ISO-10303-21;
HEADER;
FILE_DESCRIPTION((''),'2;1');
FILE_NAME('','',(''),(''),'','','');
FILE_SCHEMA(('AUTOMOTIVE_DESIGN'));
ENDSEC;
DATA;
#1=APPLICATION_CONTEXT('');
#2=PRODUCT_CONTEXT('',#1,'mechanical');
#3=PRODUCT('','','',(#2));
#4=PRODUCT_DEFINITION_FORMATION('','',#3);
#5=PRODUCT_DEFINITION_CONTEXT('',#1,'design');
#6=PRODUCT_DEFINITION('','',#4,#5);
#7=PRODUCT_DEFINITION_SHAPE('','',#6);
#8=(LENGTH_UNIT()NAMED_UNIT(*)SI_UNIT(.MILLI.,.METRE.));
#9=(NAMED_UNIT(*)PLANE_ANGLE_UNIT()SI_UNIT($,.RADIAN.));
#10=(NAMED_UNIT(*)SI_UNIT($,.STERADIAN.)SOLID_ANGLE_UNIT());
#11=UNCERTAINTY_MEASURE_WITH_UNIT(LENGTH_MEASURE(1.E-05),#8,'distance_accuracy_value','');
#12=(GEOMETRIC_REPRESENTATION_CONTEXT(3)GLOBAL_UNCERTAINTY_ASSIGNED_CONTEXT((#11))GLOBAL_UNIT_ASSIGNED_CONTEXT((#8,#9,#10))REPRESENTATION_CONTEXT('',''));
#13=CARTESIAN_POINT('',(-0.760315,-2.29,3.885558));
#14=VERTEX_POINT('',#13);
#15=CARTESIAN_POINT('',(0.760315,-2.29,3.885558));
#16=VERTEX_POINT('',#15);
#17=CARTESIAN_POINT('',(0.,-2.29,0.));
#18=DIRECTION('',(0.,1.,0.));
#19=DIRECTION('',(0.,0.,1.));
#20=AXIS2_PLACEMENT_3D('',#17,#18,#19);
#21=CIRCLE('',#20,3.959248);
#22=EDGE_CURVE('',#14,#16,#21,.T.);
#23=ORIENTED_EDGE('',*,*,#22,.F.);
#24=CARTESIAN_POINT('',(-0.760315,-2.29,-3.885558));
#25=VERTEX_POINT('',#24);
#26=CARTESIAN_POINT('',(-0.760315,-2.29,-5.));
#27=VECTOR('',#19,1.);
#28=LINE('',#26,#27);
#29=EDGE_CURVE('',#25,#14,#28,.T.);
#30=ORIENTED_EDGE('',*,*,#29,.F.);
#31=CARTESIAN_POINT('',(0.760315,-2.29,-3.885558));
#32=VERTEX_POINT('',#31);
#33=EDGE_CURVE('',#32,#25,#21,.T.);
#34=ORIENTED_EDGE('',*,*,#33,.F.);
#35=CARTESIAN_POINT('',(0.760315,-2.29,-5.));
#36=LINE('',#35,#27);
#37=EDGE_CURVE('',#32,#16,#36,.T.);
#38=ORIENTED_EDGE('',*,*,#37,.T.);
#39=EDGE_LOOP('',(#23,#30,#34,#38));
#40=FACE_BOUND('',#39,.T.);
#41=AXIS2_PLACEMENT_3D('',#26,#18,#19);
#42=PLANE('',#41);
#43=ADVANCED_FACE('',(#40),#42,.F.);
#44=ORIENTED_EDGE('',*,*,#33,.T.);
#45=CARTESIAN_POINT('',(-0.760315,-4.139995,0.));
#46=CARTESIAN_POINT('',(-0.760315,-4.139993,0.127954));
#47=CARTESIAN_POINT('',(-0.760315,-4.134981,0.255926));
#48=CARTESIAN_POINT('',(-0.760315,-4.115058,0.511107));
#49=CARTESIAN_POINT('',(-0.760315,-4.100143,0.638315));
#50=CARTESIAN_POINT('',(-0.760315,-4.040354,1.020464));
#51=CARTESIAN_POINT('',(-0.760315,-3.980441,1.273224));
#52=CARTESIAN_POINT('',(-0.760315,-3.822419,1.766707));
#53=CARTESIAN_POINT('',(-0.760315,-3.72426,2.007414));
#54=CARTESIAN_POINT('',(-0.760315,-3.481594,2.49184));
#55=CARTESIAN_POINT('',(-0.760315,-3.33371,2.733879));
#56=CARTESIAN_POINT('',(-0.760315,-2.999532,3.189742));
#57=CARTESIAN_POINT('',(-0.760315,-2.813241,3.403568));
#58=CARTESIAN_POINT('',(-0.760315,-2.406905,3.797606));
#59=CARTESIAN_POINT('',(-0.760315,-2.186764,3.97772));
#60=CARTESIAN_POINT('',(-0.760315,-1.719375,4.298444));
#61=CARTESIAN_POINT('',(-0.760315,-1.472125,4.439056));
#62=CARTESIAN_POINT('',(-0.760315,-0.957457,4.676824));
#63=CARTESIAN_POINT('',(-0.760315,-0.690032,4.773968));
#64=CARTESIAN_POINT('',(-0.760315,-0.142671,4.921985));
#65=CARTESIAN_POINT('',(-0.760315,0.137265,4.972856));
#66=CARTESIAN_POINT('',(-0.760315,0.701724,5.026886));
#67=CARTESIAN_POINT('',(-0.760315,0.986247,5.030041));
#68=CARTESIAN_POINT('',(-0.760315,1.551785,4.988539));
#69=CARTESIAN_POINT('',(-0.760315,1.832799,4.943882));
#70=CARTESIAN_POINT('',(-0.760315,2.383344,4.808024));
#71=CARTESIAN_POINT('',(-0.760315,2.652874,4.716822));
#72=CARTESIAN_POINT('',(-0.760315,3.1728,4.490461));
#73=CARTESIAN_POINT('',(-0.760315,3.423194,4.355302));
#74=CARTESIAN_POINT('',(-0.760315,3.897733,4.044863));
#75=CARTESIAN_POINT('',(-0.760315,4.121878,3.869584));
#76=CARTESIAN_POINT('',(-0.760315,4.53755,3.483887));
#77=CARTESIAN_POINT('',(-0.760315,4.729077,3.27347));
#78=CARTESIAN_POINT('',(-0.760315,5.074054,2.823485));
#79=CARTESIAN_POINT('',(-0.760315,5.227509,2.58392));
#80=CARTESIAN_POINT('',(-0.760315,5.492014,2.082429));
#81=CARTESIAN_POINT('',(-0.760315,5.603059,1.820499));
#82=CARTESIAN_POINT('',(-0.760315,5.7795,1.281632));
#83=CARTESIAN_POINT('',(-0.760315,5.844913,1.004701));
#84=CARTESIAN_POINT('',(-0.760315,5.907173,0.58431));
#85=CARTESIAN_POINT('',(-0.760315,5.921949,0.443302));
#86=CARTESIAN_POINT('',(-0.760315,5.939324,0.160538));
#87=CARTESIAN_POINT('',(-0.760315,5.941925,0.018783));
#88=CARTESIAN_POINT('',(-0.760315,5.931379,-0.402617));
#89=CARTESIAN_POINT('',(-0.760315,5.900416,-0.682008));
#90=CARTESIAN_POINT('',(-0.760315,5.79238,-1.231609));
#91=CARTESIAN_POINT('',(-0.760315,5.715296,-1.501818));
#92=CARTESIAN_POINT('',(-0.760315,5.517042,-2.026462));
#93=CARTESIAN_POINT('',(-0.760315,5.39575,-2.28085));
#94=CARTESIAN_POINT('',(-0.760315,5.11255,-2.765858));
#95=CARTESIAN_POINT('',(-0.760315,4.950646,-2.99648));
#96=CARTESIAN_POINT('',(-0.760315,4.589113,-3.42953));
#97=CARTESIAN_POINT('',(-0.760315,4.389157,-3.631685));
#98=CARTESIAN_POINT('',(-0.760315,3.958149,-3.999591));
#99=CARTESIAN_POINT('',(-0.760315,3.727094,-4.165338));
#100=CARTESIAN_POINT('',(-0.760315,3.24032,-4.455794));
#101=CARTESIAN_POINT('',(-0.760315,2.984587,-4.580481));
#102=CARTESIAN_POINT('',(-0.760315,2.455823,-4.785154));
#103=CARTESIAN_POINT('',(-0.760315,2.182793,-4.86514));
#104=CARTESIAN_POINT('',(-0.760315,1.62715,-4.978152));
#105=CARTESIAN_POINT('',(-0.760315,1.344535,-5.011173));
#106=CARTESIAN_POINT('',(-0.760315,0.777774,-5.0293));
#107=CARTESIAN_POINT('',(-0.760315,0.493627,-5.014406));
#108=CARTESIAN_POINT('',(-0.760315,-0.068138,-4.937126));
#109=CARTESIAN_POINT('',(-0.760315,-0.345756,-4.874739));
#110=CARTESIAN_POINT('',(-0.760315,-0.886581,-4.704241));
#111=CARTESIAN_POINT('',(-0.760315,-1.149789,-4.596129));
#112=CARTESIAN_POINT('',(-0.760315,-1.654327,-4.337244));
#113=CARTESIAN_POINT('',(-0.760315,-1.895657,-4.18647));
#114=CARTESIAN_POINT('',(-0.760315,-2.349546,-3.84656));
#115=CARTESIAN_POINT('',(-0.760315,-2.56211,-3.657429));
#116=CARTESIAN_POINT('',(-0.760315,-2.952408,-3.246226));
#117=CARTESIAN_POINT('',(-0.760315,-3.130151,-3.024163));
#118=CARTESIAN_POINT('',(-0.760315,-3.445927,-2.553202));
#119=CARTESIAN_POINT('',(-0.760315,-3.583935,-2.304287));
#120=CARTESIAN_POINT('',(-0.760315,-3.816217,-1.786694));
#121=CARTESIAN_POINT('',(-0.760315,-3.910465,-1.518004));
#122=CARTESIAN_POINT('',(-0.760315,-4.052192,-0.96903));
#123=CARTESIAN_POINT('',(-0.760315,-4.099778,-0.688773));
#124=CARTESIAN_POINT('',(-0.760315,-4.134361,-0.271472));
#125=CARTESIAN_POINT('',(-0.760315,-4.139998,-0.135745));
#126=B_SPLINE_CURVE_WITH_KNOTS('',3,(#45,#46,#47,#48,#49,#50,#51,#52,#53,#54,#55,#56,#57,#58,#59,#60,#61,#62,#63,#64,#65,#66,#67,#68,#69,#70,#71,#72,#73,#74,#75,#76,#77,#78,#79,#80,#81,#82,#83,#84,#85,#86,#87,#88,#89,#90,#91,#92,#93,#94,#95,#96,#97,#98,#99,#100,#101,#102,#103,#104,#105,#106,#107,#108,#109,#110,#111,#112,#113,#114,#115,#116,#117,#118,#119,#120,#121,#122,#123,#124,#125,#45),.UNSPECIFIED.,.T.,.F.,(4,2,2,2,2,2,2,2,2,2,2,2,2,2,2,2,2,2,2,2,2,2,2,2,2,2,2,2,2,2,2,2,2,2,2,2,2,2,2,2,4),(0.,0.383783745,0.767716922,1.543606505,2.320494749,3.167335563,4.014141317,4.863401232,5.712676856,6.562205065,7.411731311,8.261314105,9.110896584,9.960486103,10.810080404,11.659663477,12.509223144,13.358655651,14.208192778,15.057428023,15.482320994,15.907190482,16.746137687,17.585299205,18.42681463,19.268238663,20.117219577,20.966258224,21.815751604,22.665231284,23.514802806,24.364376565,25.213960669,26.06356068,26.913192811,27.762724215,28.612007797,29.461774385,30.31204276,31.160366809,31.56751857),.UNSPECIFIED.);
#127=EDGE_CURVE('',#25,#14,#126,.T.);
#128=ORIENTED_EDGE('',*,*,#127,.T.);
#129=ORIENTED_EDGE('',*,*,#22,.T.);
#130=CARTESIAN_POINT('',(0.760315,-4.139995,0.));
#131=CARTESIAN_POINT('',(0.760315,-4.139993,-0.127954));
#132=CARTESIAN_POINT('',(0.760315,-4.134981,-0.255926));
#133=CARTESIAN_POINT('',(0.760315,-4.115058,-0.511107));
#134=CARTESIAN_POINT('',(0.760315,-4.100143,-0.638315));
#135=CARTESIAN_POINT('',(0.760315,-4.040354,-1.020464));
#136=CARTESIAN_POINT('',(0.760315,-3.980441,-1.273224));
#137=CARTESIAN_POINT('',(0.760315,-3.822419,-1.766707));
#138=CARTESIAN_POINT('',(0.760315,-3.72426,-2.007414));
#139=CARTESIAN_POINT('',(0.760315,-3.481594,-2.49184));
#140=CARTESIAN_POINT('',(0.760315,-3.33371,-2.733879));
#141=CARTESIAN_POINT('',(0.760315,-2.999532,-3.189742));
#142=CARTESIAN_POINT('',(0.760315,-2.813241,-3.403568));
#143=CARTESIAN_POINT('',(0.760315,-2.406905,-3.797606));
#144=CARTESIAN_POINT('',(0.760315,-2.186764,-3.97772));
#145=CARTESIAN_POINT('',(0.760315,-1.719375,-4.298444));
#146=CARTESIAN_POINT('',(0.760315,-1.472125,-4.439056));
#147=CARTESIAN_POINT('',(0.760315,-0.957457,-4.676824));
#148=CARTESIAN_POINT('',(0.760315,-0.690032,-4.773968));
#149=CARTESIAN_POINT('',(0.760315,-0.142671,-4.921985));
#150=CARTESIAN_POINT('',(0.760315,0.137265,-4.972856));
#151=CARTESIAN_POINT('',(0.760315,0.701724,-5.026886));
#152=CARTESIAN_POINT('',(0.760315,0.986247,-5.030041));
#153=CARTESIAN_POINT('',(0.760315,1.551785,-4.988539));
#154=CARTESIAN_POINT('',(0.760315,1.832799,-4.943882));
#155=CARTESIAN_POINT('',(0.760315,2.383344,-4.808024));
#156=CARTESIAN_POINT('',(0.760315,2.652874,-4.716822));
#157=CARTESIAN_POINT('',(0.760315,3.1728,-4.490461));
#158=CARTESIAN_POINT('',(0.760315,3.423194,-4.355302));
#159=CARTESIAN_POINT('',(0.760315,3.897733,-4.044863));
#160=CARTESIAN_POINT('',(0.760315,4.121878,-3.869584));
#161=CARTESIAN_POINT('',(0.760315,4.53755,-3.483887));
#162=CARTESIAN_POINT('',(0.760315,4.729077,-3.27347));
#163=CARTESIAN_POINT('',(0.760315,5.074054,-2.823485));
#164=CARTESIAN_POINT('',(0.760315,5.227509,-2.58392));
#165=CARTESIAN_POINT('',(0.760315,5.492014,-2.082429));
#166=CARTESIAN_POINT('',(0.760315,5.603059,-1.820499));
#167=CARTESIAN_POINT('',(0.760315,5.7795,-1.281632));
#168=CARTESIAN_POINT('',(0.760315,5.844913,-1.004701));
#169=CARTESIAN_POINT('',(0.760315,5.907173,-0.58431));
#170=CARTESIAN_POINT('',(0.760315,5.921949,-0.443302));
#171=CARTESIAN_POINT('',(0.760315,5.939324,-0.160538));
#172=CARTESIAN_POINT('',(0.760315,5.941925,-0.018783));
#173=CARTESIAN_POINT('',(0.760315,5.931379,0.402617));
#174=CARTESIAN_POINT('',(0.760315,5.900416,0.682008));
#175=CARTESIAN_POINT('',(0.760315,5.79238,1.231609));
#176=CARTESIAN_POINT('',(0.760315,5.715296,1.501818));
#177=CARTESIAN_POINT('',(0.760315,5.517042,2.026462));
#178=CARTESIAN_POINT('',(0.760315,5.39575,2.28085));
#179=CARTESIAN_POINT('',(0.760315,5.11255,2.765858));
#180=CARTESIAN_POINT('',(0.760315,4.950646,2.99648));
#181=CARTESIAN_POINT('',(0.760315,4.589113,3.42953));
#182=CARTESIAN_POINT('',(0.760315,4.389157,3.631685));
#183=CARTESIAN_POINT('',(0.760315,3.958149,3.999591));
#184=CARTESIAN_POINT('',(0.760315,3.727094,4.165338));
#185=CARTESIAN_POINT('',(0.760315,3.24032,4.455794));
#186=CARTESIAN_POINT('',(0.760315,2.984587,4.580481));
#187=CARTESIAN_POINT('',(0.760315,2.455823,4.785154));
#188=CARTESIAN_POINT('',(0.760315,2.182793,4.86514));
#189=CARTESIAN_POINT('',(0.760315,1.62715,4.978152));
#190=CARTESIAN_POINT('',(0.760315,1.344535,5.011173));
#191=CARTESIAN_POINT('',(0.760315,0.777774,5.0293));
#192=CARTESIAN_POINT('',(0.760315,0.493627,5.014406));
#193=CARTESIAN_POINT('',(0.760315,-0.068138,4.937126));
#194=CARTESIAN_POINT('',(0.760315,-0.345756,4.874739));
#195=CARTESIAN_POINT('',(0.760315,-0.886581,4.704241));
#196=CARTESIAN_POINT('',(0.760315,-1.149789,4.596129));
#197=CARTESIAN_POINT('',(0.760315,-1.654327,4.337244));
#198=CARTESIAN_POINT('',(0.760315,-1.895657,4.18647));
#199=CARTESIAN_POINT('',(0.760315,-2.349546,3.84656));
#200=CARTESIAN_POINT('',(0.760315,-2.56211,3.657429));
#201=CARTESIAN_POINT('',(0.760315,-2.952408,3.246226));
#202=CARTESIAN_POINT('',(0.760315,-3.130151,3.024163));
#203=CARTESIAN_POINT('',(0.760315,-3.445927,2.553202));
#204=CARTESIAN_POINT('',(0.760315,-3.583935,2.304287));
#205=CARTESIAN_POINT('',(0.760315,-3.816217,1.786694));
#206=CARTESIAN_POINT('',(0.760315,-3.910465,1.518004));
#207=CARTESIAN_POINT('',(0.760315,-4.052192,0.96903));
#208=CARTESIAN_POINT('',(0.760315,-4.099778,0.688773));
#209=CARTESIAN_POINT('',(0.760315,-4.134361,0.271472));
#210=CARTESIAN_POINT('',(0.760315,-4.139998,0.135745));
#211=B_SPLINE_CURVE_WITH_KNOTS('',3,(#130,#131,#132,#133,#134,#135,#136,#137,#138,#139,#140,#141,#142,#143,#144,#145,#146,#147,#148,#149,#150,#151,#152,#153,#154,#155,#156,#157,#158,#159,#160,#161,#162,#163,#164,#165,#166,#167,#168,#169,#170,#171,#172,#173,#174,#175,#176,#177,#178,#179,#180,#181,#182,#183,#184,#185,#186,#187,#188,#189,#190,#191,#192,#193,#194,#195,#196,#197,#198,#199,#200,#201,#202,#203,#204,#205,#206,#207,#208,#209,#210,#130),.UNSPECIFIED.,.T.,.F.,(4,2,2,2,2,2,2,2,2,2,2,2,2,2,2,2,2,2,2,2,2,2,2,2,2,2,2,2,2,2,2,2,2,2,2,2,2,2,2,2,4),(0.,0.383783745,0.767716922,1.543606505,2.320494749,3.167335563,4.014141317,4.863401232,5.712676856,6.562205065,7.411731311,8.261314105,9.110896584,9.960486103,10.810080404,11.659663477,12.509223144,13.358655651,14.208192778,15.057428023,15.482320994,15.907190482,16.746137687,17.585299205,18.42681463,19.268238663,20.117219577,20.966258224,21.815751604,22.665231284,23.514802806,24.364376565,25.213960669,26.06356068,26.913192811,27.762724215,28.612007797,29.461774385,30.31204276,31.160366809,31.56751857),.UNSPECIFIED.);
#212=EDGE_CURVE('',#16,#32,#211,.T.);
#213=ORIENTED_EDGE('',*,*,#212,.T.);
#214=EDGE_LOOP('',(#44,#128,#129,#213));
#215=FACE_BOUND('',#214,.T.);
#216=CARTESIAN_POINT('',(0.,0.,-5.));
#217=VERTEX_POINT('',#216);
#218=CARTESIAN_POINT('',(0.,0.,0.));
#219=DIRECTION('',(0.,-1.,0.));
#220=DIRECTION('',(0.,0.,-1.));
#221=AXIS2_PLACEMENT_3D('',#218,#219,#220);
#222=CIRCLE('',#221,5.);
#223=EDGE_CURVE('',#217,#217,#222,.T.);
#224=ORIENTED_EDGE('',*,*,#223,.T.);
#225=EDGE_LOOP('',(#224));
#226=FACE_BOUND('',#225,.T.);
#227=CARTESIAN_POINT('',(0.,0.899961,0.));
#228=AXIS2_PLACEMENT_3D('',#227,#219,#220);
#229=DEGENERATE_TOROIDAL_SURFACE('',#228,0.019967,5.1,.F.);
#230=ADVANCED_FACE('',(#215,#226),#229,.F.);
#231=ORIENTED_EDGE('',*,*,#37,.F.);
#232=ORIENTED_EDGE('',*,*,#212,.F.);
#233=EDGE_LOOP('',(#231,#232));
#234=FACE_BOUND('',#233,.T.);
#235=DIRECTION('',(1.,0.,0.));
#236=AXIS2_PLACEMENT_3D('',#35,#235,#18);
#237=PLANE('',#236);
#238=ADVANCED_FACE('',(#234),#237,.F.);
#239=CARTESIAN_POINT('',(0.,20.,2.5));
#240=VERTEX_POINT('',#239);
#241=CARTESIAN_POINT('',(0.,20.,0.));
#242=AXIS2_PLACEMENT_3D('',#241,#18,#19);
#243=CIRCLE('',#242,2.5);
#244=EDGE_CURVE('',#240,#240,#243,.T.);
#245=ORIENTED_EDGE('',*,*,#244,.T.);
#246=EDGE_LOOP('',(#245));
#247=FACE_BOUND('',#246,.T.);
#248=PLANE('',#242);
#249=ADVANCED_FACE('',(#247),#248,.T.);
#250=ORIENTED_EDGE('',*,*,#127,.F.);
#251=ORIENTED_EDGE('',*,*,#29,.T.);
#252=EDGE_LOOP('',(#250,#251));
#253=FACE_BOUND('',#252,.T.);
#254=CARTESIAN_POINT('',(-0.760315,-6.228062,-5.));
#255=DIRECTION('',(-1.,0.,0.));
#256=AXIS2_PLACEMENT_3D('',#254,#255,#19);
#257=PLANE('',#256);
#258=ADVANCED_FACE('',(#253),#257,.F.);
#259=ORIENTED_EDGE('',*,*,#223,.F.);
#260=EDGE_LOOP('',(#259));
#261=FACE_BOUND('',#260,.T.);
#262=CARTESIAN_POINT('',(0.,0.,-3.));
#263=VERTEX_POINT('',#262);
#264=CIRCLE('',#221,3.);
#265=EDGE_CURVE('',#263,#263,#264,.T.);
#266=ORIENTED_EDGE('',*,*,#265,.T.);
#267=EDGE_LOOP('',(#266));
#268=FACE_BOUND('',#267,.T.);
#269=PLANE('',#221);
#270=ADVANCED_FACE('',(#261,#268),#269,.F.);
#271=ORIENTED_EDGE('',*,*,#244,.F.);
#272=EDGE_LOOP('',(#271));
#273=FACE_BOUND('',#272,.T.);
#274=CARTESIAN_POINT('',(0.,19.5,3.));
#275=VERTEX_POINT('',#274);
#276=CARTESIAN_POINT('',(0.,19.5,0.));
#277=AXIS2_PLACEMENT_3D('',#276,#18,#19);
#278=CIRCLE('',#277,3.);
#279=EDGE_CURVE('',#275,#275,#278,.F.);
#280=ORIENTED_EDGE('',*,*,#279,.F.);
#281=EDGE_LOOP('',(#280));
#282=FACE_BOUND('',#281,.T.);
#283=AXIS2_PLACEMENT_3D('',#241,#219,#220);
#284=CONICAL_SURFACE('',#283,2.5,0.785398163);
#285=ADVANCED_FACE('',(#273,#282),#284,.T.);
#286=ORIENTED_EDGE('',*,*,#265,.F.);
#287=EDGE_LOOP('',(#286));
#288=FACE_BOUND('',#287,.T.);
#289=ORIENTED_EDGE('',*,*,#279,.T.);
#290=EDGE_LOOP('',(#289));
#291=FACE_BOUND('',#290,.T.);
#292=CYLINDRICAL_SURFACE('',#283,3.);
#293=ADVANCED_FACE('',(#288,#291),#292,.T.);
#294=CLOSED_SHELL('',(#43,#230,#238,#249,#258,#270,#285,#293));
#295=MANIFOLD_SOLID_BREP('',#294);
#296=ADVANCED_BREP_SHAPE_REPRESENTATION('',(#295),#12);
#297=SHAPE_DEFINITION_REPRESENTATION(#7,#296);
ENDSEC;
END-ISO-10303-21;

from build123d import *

# Parameters (mm, degrees)
SKETCH1_R               = 3
BOSS_EXTRUDE1_DEPTH     = 20
CHAMFER1_SIZE           = 0.5
CUT_EXTRUDE1_DEPTH      = 22.213203483
CUT_EXTRUDE1_DEPTH_BACK = 22.213203483


with BuildPart() as part:
    # Sketch1 → Boss-Extrude1 (new body)
    with BuildSketch(Plane(origin=(0, 0, 0), x_dir=(1, 0, 0), z_dir=(0, 1, 0))):
        with Locations(Location((0, 0, 0), (0, 0, 270))):
            Circle(SKETCH1_R)
    extrude(amount=BOSS_EXTRUDE1_DEPTH)

    # Chamfer1
    chamfer1_edges = [part.edges().sort_by_distance(p)[0] for p in [
        (0, 20, -3),
    ]]
    chamfer(chamfer1_edges, length=CHAMFER1_SIZE)

    # Sketch2 → Revolve1 (revolve)
    with BuildSketch(Plane.XY, mode=Mode.PRIVATE) as revolve1_sk:
        with BuildLine():
            Line((0, 0), (-5, 0))
            ThreePointArc((-5, 0), (-3.260312474, -3.005133898), (0, -4.2))
            Line((0, -4.2), (0, 0))
        make_face()
    revolve(revolve1_sk.sketch.rotate(Axis((0, -4.2, 0), (0, 1, 0)), 270), axis=Axis((0, -4.2, 0), (0, 1, 0)))

    # Sketch3 → Cut-Extrude1 (cut, two sides: drawn at the far end of the back side and taken through both)
    with BuildSketch(Plane.XY.offset(-CUT_EXTRUDE1_DEPTH_BACK)):
        Polygon((-0.76031497, -2.29), (0, -2.29), (0.76031497, -2.29), (0.76031497, -6.2280618), (-0.76031497, -6.2280618), align=None)
    extrude(amount=CUT_EXTRUDE1_DEPTH + CUT_EXTRUDE1_DEPTH_BACK, mode=Mode.SUBTRACT)


solid = part.part
